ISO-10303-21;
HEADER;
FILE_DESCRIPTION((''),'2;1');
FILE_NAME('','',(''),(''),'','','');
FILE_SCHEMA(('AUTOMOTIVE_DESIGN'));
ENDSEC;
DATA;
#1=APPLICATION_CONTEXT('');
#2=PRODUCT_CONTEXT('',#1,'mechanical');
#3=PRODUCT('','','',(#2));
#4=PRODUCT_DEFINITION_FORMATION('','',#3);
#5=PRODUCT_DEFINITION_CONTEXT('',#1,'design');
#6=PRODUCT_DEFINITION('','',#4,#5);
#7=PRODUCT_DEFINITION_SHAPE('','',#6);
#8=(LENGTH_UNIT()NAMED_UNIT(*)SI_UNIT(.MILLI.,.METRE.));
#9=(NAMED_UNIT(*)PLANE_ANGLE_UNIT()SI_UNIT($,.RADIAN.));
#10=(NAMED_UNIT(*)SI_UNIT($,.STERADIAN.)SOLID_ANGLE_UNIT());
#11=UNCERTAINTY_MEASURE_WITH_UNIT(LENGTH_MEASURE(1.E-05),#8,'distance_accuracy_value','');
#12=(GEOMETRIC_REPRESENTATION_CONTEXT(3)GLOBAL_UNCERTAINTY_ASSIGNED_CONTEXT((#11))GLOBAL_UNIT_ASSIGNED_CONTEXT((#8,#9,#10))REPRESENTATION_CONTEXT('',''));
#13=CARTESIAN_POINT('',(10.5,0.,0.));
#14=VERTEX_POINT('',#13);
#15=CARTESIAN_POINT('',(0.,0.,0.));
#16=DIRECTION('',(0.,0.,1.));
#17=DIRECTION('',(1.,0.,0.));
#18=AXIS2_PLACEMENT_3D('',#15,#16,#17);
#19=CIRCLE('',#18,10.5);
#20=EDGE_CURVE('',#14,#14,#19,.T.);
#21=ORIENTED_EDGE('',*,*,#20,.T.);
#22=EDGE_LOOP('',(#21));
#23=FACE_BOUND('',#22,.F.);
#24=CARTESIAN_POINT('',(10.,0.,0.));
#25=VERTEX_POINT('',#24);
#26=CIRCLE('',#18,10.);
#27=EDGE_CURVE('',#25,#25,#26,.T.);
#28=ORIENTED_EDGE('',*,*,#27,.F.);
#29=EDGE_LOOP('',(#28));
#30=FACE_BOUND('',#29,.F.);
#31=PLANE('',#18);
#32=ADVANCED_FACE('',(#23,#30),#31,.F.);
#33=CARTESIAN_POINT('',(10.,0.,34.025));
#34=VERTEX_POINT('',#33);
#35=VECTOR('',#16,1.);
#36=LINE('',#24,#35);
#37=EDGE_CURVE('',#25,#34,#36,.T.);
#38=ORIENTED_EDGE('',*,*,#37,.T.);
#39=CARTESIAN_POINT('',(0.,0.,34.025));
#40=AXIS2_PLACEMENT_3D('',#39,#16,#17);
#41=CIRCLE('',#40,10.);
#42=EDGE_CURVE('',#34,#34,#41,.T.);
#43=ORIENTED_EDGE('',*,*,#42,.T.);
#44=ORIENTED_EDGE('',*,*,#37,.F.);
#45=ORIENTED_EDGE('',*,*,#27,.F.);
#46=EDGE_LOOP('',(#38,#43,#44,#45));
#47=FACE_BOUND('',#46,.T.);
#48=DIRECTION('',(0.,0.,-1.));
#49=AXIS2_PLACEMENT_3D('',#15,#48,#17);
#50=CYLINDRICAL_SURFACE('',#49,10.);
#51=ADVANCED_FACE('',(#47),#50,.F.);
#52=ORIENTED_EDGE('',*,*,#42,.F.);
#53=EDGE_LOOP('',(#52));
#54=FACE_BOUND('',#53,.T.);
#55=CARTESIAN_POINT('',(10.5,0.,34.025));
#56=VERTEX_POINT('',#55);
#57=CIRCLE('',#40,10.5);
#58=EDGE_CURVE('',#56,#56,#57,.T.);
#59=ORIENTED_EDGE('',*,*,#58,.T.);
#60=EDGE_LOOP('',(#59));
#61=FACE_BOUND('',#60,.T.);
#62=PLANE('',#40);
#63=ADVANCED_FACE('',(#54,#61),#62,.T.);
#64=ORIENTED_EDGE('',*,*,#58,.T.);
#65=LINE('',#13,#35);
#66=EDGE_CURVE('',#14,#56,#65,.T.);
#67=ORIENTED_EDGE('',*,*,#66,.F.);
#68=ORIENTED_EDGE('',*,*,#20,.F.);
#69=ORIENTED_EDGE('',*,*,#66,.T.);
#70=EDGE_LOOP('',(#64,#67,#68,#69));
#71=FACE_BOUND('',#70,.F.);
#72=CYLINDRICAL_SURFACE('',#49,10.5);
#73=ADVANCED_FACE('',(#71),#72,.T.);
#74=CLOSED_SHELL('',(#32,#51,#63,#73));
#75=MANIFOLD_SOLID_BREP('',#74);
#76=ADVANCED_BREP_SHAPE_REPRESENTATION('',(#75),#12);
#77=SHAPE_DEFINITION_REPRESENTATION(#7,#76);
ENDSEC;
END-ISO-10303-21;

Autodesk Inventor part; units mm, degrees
ref_plane "YZ Plane" through (0, 0, 0) normal (1, 0, 0) x (0, 1, 0)
ref_plane "XZ Plane" through (0, 0, 0) normal (0, 1, 0) x (-1, 0, 0)
ref_plane "XY Plane" through (0, 0, 0) normal (0, 0, 1) x (1, 0, 0)
sketch "Szkic1" plane through (0, 0, 0) normal (0, 0, 1) x (1, 0, 0)
  circle A0 centre (0, 0) radius 10
  circle A1 centre (0, 0) radius 10.5
  dimension "d0" = 20
  dimension "d1" = 21
extrude "Wyciągnięcie proste1" add sketch "Szkic1" along normal blind 34.025
properties part number "tuleja"
